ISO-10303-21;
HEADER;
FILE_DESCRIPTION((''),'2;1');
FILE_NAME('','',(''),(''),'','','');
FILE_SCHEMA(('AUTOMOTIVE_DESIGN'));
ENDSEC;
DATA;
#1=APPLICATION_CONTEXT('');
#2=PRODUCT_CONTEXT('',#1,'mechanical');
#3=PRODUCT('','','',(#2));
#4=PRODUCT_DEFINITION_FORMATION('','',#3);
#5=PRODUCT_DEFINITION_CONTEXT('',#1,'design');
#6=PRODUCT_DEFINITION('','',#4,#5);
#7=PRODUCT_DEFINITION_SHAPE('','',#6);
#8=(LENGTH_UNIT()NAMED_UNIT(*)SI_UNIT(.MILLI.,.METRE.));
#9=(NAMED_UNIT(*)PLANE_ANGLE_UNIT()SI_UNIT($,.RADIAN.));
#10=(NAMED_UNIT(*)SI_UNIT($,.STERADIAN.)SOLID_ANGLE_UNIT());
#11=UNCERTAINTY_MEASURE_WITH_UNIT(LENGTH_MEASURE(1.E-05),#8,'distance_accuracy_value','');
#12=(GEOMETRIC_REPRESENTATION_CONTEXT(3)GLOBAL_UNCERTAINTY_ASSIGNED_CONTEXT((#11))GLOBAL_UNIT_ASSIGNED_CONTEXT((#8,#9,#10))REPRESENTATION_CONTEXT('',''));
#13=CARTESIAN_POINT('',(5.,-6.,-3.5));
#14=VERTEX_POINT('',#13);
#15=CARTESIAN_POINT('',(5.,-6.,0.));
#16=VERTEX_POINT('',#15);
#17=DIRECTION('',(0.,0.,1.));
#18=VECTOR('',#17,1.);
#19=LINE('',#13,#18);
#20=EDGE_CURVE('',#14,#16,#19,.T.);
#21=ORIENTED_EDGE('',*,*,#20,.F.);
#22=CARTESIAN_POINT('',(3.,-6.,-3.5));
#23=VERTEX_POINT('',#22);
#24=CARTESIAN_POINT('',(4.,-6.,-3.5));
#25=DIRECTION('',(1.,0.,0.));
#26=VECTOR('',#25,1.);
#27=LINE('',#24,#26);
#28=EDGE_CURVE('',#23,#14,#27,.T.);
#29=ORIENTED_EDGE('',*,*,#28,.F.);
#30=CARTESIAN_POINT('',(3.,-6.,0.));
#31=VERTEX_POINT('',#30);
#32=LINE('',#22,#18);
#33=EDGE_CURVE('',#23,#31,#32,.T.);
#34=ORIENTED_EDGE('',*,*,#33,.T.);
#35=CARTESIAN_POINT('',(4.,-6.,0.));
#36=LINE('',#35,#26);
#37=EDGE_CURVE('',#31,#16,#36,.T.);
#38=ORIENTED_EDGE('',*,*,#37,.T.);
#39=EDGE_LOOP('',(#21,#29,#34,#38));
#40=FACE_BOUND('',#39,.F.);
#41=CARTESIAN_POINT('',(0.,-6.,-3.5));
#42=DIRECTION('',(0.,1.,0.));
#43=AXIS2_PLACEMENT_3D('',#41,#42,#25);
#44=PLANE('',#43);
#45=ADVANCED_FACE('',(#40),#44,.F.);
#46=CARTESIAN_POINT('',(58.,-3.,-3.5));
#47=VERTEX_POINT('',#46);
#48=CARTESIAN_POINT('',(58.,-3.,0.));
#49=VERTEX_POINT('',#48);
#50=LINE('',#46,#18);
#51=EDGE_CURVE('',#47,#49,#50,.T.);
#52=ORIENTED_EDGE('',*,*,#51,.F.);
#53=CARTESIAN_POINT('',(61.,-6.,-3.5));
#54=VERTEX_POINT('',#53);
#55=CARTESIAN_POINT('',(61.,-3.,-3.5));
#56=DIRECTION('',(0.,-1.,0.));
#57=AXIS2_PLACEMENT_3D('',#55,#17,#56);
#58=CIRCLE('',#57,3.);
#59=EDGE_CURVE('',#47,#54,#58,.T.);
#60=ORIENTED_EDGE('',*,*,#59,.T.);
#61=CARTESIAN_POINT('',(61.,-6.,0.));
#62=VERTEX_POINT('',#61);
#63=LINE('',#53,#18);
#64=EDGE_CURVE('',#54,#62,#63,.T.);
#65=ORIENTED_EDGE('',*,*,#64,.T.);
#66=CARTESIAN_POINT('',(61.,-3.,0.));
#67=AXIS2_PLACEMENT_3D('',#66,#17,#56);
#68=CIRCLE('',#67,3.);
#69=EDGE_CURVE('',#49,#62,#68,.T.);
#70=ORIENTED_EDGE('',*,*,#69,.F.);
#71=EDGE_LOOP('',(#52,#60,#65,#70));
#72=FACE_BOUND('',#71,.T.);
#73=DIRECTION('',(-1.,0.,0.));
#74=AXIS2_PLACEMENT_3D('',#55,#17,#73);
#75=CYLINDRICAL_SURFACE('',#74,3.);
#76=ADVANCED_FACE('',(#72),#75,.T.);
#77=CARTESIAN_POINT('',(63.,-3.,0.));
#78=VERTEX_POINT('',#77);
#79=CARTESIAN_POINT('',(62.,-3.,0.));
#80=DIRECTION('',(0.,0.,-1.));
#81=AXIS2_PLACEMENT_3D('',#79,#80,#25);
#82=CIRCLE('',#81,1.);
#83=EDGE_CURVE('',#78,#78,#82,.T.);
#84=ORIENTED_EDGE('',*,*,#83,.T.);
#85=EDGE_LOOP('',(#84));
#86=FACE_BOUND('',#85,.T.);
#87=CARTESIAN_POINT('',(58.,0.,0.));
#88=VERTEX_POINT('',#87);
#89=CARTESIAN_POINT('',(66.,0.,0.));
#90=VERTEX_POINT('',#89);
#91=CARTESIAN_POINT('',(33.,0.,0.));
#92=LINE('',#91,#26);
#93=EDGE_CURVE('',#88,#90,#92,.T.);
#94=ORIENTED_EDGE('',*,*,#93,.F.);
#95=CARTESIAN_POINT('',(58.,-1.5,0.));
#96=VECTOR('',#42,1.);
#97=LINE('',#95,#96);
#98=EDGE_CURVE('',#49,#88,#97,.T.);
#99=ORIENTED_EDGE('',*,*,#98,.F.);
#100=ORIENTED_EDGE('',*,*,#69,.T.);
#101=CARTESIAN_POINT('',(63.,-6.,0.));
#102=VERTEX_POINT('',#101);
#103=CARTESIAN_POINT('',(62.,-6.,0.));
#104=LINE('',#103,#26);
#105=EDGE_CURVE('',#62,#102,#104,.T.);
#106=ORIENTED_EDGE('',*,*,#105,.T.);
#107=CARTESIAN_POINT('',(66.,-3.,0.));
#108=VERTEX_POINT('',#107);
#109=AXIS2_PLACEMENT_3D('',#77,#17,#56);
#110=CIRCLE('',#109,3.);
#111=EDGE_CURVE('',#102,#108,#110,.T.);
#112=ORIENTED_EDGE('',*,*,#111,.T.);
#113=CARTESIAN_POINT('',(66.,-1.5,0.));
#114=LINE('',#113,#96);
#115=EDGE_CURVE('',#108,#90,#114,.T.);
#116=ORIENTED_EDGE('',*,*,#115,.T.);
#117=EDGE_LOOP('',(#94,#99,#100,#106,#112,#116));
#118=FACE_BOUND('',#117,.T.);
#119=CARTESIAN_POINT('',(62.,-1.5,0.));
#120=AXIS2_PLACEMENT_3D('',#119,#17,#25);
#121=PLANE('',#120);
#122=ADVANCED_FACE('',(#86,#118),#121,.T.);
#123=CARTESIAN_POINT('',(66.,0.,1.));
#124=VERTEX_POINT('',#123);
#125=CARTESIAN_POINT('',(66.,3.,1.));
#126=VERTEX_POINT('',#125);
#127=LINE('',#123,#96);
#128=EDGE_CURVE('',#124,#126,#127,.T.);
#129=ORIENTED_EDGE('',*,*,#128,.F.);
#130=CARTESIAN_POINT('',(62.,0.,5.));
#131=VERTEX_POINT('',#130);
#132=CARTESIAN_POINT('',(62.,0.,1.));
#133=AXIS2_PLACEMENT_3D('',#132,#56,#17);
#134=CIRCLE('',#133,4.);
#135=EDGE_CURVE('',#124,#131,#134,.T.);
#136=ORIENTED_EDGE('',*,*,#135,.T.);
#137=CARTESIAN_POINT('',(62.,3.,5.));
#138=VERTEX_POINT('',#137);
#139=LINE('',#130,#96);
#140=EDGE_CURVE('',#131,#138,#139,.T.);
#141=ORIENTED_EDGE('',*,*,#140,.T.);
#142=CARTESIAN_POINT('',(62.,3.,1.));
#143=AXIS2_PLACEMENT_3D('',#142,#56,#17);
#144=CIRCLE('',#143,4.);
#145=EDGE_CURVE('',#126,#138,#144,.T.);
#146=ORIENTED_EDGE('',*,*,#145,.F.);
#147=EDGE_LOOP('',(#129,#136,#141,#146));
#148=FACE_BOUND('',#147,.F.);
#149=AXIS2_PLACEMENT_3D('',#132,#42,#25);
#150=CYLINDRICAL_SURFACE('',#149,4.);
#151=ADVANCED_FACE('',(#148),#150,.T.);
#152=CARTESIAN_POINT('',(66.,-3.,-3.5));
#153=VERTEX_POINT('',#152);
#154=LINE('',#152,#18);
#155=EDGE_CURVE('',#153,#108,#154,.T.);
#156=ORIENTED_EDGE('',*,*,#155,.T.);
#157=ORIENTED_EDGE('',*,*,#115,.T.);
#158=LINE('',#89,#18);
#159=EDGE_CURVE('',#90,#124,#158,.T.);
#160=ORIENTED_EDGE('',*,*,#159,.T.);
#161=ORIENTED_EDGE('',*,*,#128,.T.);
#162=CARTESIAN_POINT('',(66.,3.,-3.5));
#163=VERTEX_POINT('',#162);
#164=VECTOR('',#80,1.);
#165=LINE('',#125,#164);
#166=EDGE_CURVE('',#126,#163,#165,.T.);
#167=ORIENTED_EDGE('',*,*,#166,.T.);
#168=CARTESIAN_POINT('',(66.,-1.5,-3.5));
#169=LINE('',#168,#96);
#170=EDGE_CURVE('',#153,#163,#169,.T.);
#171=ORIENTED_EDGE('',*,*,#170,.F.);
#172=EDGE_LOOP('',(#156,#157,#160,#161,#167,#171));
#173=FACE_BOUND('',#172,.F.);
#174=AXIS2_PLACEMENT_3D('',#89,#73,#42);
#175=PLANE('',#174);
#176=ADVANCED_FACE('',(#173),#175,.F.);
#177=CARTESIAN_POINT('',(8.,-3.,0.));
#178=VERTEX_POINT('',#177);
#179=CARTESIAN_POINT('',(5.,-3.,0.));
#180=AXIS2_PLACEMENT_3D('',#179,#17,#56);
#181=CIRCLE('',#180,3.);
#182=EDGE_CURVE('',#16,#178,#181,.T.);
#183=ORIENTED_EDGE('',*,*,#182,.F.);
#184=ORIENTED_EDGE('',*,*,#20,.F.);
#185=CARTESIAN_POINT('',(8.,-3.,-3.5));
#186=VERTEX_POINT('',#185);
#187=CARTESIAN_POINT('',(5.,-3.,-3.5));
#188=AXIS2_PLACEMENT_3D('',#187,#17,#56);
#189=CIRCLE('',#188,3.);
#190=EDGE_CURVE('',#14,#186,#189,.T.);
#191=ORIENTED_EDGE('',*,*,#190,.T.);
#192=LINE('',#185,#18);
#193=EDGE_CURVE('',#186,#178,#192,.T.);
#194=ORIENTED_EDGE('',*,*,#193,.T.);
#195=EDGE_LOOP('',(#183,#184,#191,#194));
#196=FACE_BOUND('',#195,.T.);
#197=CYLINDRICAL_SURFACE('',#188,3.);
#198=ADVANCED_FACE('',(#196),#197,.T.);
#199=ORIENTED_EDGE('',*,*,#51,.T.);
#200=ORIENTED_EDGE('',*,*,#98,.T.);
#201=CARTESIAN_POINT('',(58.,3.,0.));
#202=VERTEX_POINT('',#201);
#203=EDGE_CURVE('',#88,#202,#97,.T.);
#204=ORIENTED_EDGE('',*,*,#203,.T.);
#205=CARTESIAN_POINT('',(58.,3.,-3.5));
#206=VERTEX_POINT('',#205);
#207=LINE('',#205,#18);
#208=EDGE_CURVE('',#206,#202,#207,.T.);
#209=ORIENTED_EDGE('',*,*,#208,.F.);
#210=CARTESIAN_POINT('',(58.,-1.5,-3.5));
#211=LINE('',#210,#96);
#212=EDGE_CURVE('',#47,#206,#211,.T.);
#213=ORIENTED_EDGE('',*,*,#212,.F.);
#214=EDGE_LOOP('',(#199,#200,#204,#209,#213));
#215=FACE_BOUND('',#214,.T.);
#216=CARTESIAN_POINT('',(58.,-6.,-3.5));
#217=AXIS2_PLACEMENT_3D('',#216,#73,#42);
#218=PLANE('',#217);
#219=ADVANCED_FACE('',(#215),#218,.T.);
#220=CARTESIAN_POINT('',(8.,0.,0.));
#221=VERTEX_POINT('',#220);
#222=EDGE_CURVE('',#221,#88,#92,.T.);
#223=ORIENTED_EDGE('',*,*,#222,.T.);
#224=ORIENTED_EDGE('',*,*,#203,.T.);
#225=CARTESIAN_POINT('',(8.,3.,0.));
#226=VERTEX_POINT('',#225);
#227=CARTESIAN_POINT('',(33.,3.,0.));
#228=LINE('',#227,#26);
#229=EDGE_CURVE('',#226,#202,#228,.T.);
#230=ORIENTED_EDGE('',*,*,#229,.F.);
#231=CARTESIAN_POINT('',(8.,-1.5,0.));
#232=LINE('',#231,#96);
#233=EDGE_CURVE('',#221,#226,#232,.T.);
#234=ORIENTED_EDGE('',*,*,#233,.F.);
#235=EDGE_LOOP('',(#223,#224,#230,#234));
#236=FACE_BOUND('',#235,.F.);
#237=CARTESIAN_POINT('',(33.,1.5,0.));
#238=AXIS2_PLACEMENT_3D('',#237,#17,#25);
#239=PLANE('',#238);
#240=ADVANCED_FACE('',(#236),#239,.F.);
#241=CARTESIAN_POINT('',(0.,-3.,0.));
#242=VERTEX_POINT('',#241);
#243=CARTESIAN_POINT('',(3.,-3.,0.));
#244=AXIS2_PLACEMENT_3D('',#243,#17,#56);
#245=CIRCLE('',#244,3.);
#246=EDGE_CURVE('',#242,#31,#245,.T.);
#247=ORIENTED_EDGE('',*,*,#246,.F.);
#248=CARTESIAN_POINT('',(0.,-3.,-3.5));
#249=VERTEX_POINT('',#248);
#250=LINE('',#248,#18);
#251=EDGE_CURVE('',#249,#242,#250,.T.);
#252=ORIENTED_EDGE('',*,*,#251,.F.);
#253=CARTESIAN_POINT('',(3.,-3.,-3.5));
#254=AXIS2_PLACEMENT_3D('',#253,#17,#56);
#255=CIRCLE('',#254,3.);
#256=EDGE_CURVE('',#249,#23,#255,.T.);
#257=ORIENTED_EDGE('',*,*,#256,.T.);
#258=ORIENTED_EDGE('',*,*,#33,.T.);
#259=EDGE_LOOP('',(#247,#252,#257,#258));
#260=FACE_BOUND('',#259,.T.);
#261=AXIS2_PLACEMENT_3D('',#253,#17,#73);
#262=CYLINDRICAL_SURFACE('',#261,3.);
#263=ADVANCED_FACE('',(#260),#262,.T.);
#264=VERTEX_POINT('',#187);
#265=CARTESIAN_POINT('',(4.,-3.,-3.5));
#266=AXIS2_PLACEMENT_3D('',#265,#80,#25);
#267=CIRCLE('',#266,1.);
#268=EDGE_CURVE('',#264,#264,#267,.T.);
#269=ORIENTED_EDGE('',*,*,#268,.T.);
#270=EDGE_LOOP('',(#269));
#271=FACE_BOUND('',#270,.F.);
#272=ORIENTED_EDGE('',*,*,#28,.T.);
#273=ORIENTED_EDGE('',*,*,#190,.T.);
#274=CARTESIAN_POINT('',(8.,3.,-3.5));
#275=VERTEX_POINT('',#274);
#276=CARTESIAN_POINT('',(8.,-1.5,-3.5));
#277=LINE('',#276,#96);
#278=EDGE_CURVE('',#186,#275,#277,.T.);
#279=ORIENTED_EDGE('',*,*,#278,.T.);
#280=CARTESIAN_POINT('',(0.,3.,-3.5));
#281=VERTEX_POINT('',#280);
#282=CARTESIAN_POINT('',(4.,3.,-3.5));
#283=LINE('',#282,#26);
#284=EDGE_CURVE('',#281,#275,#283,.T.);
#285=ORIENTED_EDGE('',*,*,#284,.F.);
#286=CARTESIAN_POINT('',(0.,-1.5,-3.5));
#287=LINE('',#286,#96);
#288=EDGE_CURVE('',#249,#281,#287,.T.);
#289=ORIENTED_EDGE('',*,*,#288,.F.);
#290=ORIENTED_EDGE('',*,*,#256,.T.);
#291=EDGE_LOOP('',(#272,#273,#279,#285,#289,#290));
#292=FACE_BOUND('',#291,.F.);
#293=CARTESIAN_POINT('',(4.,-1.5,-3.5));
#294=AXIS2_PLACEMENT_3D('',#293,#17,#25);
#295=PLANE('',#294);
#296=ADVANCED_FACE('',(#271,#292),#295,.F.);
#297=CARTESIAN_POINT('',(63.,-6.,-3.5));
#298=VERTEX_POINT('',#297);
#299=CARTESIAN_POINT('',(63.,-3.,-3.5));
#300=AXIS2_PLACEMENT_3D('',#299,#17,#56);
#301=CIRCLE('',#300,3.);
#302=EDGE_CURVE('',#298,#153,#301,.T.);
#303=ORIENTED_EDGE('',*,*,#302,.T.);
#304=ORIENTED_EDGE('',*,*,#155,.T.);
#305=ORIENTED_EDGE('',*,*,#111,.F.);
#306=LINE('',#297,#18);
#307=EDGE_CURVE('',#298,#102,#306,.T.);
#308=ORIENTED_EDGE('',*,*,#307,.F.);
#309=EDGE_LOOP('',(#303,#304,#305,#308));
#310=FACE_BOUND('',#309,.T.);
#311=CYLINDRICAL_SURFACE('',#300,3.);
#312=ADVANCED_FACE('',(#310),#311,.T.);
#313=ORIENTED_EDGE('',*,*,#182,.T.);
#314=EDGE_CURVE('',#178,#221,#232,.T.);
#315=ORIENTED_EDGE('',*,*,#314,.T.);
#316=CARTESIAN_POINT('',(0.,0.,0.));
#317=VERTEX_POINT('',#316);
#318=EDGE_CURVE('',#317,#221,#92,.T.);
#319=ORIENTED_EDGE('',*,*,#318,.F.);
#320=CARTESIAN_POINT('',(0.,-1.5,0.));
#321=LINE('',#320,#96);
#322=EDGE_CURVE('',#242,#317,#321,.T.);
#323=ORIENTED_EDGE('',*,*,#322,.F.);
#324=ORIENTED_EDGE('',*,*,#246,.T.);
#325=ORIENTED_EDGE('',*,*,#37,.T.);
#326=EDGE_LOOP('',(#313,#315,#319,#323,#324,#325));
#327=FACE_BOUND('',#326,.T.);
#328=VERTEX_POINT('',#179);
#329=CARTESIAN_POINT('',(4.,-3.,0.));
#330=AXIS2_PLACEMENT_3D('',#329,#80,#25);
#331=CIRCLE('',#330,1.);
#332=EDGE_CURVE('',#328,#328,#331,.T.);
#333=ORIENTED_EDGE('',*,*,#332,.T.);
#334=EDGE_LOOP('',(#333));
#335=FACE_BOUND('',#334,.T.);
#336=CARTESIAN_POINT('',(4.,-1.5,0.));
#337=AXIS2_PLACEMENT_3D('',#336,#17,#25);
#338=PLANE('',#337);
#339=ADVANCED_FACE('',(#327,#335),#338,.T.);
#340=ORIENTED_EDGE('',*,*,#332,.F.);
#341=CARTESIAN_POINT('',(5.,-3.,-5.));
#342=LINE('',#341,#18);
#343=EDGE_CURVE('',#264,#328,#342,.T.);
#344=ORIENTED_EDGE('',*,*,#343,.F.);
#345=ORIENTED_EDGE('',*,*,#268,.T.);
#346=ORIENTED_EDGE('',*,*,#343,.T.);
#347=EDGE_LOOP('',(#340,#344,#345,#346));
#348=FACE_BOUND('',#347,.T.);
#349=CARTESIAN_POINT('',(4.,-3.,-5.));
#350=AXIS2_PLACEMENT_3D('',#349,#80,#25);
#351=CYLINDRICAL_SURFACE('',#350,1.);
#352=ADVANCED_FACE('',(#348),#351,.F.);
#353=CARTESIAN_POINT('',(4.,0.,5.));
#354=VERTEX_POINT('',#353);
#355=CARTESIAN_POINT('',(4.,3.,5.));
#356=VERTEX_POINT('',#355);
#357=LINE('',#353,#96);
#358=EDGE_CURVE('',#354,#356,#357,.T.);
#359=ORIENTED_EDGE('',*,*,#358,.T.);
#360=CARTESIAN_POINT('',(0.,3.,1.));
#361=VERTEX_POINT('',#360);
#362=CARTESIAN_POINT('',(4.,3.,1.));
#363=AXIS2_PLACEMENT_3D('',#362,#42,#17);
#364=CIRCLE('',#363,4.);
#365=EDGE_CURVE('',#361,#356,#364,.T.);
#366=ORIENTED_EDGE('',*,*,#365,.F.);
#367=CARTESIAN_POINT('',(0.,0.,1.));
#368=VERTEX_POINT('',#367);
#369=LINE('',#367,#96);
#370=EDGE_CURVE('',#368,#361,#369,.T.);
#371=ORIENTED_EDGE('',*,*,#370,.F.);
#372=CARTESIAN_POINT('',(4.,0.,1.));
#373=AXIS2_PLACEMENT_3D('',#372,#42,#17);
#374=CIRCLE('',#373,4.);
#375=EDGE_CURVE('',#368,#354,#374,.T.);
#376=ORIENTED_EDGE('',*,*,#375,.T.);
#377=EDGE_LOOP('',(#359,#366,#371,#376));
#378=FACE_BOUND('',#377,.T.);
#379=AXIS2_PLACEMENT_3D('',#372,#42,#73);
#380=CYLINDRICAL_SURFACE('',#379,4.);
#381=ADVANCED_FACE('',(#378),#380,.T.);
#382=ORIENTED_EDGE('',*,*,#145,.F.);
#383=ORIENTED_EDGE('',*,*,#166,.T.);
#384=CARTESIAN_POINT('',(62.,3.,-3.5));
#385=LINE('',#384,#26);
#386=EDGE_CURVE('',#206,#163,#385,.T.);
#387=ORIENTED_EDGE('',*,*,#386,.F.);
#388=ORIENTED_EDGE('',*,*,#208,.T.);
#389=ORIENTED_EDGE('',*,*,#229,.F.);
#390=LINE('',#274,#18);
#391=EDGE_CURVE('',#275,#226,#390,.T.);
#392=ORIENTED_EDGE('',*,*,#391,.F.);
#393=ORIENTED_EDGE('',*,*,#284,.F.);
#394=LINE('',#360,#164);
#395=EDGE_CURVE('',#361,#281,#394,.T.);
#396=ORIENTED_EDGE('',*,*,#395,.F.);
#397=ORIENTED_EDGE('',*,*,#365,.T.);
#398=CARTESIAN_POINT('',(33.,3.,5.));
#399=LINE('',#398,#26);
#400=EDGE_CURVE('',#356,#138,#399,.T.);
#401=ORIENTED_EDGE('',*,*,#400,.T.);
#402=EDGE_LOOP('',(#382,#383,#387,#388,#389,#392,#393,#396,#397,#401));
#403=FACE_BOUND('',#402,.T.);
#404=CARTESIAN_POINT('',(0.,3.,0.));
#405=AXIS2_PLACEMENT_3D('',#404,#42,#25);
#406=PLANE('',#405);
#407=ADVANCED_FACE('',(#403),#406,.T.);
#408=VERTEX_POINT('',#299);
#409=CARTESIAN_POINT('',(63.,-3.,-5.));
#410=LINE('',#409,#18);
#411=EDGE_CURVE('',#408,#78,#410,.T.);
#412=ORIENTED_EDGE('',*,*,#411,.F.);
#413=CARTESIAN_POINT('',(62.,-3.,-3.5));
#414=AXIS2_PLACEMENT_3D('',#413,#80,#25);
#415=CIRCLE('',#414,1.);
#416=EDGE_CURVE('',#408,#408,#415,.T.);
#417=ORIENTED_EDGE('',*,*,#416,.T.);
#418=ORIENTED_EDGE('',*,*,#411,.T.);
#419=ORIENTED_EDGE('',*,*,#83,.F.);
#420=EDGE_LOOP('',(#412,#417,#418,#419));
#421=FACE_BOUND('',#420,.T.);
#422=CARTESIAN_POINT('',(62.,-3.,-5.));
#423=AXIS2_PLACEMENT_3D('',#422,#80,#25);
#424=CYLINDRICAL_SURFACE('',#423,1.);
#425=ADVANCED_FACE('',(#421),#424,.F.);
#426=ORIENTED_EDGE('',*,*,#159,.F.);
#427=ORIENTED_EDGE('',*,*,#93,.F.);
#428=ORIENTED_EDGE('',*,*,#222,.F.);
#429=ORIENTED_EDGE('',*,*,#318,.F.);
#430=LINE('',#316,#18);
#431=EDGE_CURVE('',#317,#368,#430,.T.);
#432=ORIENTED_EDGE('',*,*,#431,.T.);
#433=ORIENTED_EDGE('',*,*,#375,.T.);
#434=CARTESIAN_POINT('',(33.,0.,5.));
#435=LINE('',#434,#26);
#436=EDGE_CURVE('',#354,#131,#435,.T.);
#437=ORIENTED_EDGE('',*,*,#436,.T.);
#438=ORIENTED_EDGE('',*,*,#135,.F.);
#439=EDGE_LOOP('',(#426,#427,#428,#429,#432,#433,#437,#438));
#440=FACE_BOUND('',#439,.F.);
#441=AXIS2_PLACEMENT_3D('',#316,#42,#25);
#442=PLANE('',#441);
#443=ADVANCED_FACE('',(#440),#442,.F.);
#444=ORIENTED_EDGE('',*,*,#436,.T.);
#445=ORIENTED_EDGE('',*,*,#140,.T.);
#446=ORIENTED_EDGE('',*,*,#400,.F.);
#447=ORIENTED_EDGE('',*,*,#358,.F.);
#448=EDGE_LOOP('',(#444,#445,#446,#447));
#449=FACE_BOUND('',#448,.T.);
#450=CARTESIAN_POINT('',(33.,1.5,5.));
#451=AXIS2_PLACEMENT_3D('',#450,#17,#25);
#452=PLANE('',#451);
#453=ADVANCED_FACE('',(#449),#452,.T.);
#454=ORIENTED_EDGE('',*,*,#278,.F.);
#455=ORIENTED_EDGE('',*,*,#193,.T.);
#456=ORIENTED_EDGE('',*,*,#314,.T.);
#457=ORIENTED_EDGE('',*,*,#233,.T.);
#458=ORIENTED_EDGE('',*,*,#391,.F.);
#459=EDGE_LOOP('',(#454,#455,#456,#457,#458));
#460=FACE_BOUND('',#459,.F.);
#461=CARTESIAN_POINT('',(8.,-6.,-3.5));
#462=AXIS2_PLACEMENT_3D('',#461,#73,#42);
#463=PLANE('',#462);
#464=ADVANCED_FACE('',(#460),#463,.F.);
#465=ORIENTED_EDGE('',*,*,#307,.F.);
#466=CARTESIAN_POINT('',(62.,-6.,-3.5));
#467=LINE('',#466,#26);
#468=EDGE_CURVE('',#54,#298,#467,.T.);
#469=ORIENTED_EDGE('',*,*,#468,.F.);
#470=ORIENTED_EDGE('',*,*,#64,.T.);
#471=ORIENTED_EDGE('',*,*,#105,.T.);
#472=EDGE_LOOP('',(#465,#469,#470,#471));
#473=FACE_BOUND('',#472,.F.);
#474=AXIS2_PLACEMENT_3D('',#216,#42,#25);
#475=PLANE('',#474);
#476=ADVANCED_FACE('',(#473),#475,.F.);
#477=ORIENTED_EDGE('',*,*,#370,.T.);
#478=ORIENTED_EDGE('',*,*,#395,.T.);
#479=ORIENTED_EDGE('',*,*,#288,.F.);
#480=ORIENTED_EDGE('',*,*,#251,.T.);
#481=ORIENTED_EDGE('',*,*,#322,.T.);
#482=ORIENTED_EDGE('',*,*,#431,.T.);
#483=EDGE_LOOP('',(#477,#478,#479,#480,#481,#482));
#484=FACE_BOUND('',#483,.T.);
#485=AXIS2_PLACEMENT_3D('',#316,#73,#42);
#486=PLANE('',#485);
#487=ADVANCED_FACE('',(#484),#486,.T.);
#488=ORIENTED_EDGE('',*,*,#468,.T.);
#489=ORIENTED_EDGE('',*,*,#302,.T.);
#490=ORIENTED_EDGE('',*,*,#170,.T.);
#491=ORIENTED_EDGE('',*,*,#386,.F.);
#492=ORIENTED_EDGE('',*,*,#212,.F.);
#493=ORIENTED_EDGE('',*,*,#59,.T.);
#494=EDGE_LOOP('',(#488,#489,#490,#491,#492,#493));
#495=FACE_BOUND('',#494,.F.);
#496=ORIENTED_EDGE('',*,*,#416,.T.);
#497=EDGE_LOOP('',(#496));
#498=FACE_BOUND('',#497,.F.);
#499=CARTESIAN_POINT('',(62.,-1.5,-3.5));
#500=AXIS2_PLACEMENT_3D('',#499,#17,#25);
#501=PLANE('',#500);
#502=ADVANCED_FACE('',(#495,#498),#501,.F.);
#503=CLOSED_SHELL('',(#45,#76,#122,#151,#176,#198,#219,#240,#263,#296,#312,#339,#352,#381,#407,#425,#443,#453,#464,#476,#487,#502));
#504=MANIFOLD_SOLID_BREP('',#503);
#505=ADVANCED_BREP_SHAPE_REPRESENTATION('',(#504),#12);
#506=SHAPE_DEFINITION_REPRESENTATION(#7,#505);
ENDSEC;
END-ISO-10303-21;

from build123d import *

# Parameters (mm, degrees)
BOX012_W          = 66
BOX012_H          = 3
BOX012_DEPTH      = 5
FILLET003_R       = 4
CYLINDER014_R     = 1
CYLINDER014_DEPTH = 10
BOX013_W          = 8
BOX013_H          = 9
BOX013_DEPTH      = 3.5
FILLET002_R       = 3
ARRAY011_X_COUNT  = 2
ARRAY011_X_PITCH  = 58


with BuildPart() as long_cube_fillet:
    # Box012 → Box012 (new body)
    with BuildSketch(Plane.XY):
        with Locations((33, 1.5)):
            Rectangle(BOX012_W, BOX012_H)
    extrude(amount=BOX012_DEPTH)

    # Fillet003
    fillet003_edges = [long_cube_fillet.edges().sort_by_distance(p)[0] for p in [
        (0, 1.5, 5),
        (66, 1.5, 5),
    ]]
    fillet(fillet003_edges, radius=FILLET003_R)


with BuildPart() as cylinder002:
    # Cylinder014 → Cylinder014 (new body)
    with BuildSketch(Plane(origin=(4, 3, -5), x_dir=(1, 0, 0), z_dir=(0, 0, 1))):
        Circle(CYLINDER014_R)
    extrude(amount=CYLINDER014_DEPTH)


with BuildPart() as botton_holder_fusion:
    # Box013 → Box013 (new body)
    with BuildSketch(Plane.XY.offset(-3.5)):
        with Locations((4, 4.5)):
            Rectangle(BOX013_W, BOX013_H)
    extrude(amount=BOX013_DEPTH)

    # Fillet002
    fillet002_edges = [botton_holder_fusion.edges().sort_by_distance(p)[0] for p in [
        (0, 0, -1.75),
        (8, 0, -1.75),
    ]]
    fillet(fillet002_edges, radius=FILLET002_R)

    # Cut008: cut Cylinder002
    add(cylinder002.part, mode=Mode.SUBTRACT)

    # Array011 X: botton holder fusion ×2


with BuildPart() as botton_holder_fusion_1:
    add(botton_holder_fusion.part)
    with Locations(*[(i * ARRAY011_X_PITCH, 0, 0) for i in range(1, ARRAY011_X_COUNT)]):
        add(botton_holder_fusion.part)


with BuildPart() as botton_holder_fusion_2:
    # Array011 placement: moved
    add(botton_holder_fusion_1.part.moved(Location((0, -6, 0))))

    # Fusion007: union long cube fillet
    add(long_cube_fillet.part)


solid = botton_holder_fusion_2.part
